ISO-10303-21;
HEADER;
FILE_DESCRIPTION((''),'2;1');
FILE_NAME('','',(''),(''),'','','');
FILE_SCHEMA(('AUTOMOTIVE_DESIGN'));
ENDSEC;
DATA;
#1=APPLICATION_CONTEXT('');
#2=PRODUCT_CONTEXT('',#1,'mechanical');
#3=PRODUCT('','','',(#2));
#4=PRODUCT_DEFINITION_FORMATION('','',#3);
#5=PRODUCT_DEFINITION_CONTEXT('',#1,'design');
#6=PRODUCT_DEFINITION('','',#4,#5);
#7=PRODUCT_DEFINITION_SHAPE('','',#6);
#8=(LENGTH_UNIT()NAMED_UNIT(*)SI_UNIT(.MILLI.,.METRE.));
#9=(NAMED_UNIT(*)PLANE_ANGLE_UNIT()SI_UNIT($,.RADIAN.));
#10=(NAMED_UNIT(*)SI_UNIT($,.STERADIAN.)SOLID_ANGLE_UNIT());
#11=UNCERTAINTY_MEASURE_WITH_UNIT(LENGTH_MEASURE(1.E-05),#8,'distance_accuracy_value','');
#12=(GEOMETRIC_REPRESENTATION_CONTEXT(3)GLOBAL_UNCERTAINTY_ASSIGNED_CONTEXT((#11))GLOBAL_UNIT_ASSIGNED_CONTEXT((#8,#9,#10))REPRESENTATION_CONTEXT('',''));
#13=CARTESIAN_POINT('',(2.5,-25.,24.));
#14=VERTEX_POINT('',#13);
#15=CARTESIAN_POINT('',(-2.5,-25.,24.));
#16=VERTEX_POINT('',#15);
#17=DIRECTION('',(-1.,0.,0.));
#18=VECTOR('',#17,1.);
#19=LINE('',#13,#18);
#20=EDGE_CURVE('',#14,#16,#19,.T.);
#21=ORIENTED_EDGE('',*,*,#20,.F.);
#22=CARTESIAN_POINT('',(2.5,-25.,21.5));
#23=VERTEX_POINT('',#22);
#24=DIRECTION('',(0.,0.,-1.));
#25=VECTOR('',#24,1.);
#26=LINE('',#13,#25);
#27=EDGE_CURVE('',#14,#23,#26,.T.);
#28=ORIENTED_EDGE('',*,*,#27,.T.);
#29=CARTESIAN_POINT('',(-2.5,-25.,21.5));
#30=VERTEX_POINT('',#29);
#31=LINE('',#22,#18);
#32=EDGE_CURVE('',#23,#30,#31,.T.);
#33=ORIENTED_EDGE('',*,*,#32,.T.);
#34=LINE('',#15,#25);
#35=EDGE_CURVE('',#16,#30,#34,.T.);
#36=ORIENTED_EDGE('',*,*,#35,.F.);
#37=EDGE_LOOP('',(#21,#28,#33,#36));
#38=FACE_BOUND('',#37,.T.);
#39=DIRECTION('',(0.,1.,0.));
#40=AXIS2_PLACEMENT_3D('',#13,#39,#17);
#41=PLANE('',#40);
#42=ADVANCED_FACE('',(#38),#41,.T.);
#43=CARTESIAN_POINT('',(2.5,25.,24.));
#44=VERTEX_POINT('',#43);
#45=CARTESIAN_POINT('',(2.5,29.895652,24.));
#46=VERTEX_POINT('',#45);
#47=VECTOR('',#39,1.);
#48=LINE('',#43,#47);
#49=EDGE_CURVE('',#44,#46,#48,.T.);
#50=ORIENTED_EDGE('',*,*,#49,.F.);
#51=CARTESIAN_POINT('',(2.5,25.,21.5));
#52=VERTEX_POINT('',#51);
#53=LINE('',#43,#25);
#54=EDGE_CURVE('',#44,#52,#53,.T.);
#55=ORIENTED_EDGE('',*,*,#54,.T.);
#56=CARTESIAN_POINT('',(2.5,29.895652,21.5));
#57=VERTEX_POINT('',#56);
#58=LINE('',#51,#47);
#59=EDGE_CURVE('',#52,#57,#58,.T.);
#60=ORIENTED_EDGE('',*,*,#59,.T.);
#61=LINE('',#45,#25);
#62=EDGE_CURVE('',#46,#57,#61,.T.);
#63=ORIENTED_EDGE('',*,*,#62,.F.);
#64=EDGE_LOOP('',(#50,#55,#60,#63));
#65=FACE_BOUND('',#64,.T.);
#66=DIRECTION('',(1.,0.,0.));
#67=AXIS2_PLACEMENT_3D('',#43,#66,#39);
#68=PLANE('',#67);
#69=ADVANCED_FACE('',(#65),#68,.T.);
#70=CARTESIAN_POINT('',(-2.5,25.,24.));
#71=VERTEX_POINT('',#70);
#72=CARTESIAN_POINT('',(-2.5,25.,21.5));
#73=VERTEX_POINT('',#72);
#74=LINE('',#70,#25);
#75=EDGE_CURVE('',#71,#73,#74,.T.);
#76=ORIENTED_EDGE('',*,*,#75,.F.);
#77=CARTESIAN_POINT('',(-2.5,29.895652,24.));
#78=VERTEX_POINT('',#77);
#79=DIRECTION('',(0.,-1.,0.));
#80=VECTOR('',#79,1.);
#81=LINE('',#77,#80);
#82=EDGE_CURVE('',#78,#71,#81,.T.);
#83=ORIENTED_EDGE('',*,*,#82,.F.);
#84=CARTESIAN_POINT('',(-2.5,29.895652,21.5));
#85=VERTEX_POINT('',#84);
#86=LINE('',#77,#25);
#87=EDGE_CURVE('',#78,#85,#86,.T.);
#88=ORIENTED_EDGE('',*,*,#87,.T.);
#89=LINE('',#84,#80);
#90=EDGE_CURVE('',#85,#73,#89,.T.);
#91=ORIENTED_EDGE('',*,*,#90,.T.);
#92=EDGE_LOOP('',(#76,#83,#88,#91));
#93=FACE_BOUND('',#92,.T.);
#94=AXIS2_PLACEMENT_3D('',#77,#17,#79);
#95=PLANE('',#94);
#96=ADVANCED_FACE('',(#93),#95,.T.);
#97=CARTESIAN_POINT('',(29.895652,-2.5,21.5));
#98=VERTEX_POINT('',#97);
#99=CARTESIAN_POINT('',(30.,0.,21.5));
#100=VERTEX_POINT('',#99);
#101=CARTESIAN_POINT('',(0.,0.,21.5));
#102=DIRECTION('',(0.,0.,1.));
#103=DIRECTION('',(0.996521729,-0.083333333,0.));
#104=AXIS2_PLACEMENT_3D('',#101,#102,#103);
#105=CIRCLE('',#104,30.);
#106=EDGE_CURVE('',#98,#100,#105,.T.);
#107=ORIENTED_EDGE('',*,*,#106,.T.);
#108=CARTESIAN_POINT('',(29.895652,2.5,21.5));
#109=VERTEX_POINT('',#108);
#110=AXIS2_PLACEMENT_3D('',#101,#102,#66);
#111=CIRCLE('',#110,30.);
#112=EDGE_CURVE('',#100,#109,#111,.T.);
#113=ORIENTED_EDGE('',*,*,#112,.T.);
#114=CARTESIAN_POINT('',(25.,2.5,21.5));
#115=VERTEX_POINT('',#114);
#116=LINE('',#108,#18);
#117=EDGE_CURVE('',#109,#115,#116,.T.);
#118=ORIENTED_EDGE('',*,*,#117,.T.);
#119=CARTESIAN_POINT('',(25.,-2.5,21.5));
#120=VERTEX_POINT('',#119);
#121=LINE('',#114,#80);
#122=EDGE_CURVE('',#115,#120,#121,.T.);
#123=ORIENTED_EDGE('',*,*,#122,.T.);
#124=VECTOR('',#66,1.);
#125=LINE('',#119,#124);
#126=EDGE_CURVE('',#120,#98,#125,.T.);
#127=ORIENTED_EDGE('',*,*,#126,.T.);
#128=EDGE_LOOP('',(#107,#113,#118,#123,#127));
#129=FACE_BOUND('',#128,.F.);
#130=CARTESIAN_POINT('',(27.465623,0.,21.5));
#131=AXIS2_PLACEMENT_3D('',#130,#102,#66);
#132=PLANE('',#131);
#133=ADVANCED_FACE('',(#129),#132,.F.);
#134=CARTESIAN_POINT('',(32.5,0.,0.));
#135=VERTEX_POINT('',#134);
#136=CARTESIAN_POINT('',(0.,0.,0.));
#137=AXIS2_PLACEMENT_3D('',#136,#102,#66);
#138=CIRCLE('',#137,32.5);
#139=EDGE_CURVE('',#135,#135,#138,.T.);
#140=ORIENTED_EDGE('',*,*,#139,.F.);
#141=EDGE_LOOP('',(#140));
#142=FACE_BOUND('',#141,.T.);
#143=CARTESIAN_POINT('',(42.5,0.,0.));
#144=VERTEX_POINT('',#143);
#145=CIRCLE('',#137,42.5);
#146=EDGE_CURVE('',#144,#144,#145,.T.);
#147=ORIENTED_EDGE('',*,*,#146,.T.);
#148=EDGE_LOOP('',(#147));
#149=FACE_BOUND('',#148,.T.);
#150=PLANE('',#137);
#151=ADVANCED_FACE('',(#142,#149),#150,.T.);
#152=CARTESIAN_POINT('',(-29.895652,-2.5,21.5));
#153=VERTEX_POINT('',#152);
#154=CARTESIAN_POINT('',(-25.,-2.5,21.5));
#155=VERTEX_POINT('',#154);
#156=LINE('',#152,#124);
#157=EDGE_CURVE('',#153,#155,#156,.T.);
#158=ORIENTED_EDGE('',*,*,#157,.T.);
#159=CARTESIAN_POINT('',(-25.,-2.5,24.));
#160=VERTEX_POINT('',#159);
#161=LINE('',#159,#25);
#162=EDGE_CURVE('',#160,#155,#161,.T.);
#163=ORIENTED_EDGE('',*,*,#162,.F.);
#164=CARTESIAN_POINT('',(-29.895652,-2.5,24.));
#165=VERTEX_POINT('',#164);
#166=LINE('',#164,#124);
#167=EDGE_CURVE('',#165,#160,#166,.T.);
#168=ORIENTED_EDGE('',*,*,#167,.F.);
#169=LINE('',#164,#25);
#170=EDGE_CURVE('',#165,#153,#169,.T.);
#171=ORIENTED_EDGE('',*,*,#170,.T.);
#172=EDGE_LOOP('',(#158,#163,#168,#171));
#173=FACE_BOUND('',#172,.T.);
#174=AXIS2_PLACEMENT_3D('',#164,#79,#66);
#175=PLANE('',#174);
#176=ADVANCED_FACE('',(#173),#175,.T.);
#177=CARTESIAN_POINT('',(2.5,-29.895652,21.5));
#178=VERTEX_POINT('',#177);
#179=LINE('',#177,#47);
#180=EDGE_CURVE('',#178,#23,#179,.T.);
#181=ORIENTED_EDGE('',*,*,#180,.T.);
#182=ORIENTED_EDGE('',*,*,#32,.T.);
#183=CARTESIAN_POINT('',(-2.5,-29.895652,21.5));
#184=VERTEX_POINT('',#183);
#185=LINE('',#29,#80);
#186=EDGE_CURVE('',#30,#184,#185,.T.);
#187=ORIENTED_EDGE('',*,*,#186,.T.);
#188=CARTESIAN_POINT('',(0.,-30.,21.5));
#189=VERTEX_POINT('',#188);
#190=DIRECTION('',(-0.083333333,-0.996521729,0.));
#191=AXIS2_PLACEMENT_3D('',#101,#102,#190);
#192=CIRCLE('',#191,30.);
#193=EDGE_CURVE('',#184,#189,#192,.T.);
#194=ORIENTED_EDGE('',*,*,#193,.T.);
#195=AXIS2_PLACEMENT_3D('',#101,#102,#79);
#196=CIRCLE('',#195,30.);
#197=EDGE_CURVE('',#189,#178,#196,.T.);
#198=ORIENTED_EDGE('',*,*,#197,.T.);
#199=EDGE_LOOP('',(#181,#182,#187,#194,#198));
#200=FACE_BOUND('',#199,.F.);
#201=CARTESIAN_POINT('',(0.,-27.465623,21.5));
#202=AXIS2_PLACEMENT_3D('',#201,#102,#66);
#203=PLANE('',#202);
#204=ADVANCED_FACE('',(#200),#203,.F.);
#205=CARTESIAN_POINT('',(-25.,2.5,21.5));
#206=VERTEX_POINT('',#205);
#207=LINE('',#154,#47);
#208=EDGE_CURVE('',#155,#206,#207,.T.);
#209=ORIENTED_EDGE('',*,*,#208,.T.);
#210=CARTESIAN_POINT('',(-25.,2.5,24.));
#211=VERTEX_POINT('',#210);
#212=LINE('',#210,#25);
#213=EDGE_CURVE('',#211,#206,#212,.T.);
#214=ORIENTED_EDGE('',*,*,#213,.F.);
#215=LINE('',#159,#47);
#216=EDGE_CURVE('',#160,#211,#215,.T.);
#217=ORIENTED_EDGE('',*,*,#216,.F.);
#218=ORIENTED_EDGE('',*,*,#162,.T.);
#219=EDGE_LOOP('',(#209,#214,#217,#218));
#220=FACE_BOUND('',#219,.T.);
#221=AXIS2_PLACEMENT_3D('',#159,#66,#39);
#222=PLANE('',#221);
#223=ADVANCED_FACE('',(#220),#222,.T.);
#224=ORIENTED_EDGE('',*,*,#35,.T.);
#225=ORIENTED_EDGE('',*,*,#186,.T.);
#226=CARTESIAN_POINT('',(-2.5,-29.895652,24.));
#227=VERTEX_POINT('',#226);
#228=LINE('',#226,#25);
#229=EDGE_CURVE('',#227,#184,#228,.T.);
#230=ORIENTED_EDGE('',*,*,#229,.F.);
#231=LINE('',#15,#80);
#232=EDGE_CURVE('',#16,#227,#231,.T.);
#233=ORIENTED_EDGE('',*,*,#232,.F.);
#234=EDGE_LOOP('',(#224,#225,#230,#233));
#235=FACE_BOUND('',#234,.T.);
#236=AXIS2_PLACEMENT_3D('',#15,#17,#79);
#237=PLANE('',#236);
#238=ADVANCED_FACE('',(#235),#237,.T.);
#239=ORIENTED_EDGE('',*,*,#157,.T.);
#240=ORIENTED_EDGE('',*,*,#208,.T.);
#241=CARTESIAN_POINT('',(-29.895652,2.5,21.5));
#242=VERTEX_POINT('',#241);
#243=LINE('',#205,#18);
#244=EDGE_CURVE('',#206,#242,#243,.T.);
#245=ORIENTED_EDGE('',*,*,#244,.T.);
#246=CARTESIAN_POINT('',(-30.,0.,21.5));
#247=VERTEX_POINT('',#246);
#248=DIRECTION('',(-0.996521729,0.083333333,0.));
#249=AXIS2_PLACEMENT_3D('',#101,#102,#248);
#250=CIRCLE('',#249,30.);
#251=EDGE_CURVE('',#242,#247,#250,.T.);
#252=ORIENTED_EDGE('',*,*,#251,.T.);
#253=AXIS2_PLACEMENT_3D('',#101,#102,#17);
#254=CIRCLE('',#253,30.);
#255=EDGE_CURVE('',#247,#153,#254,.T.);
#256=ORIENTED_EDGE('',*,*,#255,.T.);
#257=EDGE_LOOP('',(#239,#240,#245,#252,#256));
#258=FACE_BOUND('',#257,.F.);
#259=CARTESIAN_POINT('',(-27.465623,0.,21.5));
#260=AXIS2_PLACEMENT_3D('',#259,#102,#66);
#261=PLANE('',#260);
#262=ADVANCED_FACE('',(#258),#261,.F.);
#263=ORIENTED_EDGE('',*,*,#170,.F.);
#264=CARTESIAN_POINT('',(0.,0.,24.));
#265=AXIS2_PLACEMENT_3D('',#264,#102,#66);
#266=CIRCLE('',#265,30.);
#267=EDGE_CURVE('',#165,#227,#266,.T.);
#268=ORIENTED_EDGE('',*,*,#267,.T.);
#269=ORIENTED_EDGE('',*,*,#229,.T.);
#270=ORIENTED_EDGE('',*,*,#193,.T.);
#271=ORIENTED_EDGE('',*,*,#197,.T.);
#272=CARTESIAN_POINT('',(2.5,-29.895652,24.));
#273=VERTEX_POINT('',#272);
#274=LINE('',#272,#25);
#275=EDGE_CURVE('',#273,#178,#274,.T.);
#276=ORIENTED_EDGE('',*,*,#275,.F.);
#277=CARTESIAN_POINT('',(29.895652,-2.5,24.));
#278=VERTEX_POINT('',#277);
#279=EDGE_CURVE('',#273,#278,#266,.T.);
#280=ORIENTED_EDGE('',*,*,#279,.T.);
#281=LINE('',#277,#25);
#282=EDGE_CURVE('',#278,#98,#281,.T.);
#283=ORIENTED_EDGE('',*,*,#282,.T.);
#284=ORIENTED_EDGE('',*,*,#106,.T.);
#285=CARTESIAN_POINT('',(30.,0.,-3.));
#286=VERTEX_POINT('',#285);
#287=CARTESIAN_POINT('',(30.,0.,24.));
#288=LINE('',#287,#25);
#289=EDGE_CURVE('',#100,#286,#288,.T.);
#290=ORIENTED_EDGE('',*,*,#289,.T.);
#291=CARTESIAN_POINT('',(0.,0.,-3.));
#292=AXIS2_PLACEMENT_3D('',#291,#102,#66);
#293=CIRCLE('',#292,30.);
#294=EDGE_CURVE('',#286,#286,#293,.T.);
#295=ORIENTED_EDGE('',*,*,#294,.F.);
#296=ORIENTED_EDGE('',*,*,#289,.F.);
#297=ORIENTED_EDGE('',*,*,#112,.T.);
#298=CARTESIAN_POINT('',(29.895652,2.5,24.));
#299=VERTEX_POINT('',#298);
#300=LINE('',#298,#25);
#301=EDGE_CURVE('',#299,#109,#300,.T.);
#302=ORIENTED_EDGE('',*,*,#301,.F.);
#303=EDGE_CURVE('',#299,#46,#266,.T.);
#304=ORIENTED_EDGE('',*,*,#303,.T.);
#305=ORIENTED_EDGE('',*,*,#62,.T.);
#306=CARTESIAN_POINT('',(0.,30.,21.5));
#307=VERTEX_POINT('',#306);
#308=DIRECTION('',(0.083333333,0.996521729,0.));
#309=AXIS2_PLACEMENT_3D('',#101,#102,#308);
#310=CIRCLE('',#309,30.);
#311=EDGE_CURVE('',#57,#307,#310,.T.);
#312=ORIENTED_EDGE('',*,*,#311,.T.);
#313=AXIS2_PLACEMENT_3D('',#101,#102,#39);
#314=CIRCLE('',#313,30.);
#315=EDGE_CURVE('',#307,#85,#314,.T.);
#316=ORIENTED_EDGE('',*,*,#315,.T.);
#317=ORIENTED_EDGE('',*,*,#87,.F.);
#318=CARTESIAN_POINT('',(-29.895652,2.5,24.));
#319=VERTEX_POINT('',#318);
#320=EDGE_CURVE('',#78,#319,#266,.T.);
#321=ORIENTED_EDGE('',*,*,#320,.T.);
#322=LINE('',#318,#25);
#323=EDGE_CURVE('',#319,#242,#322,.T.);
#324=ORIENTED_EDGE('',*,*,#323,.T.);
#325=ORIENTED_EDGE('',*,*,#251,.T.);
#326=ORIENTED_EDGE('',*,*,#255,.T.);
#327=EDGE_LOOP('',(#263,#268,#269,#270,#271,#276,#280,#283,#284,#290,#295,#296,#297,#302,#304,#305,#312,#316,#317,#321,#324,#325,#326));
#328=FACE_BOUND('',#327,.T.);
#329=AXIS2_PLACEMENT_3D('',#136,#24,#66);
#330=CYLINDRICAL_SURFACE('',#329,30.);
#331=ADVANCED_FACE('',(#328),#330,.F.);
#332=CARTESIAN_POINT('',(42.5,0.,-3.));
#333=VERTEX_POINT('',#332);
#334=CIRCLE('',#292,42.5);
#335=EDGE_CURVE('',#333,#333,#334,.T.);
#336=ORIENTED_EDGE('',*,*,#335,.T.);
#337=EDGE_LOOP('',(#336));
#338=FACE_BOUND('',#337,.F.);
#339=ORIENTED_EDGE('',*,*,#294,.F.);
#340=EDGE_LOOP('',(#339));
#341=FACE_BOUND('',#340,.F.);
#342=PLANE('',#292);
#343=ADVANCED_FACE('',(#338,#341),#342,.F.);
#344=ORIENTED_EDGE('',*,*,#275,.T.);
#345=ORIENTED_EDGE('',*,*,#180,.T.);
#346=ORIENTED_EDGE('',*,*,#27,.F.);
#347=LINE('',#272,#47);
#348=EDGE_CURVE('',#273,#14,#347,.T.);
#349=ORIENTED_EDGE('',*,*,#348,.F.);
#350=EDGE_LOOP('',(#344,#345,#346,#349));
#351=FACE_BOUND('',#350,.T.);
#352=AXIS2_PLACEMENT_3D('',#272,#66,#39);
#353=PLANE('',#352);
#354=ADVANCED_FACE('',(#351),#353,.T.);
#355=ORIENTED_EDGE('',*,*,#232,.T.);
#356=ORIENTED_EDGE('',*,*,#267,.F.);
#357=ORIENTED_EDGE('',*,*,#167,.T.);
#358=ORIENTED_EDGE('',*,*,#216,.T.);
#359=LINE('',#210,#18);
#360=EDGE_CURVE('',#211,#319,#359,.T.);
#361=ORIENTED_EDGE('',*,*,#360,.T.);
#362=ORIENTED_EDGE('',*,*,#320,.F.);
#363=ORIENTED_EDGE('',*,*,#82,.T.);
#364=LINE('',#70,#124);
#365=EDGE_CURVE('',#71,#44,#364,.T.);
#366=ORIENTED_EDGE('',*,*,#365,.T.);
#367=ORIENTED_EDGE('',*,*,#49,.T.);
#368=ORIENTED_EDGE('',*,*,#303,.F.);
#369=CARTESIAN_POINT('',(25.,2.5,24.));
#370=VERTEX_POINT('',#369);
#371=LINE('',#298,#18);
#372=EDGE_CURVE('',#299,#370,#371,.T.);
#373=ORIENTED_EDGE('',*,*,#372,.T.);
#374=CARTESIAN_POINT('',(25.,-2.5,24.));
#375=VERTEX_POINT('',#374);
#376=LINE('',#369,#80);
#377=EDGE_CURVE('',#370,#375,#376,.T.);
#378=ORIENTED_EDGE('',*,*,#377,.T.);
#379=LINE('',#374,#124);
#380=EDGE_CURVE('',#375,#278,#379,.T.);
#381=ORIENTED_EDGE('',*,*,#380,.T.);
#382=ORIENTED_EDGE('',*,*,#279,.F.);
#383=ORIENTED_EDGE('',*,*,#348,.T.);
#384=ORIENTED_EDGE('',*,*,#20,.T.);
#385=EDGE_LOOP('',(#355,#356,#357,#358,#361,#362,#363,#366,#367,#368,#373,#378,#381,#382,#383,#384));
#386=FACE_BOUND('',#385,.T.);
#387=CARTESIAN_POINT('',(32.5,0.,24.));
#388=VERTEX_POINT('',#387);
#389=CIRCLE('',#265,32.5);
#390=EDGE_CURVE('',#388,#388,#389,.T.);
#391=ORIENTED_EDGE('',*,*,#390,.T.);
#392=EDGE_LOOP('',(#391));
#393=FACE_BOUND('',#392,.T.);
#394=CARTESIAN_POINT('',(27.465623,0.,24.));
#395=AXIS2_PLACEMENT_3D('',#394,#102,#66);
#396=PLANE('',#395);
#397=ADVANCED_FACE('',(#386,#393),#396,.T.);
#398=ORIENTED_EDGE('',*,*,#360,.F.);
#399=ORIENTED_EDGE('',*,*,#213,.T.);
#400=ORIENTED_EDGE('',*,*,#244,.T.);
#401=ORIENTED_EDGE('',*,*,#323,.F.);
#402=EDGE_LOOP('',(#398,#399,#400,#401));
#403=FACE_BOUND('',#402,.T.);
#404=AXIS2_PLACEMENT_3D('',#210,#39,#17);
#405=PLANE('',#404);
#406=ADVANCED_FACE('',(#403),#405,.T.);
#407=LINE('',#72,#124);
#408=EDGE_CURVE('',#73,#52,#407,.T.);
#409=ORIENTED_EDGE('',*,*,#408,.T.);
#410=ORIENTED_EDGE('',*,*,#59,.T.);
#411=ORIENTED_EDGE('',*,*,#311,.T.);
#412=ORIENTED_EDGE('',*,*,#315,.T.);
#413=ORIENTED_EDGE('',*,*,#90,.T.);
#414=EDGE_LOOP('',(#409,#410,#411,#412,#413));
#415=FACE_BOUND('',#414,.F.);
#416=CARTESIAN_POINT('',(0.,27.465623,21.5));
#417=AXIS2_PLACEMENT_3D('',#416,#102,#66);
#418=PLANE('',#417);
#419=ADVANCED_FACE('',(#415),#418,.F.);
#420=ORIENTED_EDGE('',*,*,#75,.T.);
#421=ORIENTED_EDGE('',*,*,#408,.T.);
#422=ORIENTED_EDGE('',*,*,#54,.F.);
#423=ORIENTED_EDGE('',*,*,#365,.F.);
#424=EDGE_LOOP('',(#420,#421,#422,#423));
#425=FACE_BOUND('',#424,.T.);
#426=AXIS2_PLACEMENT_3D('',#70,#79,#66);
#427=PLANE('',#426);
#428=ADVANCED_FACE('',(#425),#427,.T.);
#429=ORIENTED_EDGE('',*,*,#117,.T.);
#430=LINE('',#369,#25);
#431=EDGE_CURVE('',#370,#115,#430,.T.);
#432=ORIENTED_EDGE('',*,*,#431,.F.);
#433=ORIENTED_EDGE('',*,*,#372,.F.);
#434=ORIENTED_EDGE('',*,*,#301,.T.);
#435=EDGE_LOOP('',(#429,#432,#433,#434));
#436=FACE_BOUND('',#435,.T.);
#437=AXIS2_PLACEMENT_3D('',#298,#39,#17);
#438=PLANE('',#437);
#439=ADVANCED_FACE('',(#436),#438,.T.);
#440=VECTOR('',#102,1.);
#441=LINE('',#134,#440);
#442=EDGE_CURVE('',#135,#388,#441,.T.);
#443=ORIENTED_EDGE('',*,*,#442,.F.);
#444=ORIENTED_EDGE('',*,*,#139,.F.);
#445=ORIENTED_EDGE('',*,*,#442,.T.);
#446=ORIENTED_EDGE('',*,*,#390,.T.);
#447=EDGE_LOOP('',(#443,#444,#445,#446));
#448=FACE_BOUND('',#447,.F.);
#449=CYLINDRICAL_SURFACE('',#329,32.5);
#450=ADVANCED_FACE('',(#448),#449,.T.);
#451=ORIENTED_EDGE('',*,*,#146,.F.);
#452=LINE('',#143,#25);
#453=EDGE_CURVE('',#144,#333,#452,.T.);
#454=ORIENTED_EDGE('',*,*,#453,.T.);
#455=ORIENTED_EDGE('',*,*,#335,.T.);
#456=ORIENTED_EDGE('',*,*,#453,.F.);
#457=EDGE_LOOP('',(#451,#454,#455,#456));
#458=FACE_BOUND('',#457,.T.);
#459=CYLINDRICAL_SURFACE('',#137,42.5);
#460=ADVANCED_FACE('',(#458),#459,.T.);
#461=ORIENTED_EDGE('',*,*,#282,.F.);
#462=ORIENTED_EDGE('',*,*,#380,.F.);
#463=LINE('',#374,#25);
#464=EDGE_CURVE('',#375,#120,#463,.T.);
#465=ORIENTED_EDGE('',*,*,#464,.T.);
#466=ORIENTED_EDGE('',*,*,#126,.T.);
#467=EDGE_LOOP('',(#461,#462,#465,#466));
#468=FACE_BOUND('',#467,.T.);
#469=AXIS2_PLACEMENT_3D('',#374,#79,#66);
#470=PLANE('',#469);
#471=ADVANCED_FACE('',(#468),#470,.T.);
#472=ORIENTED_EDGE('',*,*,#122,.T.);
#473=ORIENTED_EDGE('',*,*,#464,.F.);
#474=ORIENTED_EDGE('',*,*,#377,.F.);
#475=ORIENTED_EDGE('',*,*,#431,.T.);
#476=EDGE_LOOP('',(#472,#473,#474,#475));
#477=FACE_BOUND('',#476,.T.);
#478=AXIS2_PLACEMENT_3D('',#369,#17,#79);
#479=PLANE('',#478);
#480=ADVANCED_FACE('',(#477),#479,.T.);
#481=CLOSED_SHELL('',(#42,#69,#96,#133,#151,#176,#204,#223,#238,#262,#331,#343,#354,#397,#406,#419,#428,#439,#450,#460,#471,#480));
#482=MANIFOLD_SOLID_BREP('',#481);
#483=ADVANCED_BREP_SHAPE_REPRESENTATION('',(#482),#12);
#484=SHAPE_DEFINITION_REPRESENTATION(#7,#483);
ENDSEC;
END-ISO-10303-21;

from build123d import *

# Parameters (mm, degrees)
F0_R     = 42.5
F0_R_2   = 32.5
F0_R_3   = 30
F1_DEPTH = 3
F2_DEPTH = 24
F4_DEPTH = 2.5


with BuildPart() as f1:
    # F0 (on Top) → F1 (new body)
    with BuildSketch(Plane.XY):
        Circle(F0_R)
        Circle(F0_R_2, mode=Mode.SUBTRACT)
        Circle(F0_R_2)
        Circle(F0_R_3, mode=Mode.SUBTRACT)
    extrude(amount=-F1_DEPTH)

    # F0 (on Top) → F2 (join)
    with BuildSketch(Plane.XY):
        Circle(F0_R_2)
        Circle(F0_R_3, mode=Mode.SUBTRACT)
    extrude(amount=F2_DEPTH)

    # F3 (on face) → F4 (join)
    with BuildSketch(Plane.XY.offset(24)):
        with BuildLine():
            Line((25, -2.5), (29.8956518578, -2.5))
            ThreePointArc((29.8956518578, -2.5), (29.9739016123, -1.2510883797), (30, 0))
            ThreePointArc((30, 0), (29.9739016123, 1.2510883797), (29.8956518578, 2.5))
            Line((29.8956518578, 2.5), (25, 2.5))
            Line((25, 2.5), (25, -2.5))
        make_face()
        with BuildLine():
            ThreePointArc((-30, 0), (-29.9739016123, -1.2510883797), (-29.8956518578, -2.5))
            Line((-29.8956518578, -2.5), (-25, -2.5))
            Line((-25, -2.5), (-25, 2.5))
            Line((-25, 2.5), (-29.8956518578, 2.5))
            ThreePointArc((-29.8956518578, 2.5), (-29.9739016123, 1.2510883797), (-30, 0))
        make_face()
        with BuildLine():
            Line((2.5, 25), (2.5, 29.8956518578))
            ThreePointArc((2.5, 29.8956518578), (1.2510883797, 29.9739016123), (0, 30))
            ThreePointArc((0, 30), (-1.2510883797, 29.9739016123), (-2.5, 29.8956518578))
            Line((-2.5, 29.8956518578), (-2.5, 25))
            Line((-2.5, 25), (2.5, 25))
        make_face()
        with BuildLine():
            ThreePointArc((0, -30), (1.2510883797, -29.9739016123), (2.5, -29.8956518578))
            Line((2.5, -29.8956518578), (2.5, -25))
            Line((2.5, -25), (-2.5, -25))
            Line((-2.5, -25), (-2.5, -29.8956518578))
            ThreePointArc((-2.5, -29.8956518578), (-1.2510883797, -29.9739016123), (0, -30))
        make_face()
    extrude(amount=-F4_DEPTH)


solid = f1.part
